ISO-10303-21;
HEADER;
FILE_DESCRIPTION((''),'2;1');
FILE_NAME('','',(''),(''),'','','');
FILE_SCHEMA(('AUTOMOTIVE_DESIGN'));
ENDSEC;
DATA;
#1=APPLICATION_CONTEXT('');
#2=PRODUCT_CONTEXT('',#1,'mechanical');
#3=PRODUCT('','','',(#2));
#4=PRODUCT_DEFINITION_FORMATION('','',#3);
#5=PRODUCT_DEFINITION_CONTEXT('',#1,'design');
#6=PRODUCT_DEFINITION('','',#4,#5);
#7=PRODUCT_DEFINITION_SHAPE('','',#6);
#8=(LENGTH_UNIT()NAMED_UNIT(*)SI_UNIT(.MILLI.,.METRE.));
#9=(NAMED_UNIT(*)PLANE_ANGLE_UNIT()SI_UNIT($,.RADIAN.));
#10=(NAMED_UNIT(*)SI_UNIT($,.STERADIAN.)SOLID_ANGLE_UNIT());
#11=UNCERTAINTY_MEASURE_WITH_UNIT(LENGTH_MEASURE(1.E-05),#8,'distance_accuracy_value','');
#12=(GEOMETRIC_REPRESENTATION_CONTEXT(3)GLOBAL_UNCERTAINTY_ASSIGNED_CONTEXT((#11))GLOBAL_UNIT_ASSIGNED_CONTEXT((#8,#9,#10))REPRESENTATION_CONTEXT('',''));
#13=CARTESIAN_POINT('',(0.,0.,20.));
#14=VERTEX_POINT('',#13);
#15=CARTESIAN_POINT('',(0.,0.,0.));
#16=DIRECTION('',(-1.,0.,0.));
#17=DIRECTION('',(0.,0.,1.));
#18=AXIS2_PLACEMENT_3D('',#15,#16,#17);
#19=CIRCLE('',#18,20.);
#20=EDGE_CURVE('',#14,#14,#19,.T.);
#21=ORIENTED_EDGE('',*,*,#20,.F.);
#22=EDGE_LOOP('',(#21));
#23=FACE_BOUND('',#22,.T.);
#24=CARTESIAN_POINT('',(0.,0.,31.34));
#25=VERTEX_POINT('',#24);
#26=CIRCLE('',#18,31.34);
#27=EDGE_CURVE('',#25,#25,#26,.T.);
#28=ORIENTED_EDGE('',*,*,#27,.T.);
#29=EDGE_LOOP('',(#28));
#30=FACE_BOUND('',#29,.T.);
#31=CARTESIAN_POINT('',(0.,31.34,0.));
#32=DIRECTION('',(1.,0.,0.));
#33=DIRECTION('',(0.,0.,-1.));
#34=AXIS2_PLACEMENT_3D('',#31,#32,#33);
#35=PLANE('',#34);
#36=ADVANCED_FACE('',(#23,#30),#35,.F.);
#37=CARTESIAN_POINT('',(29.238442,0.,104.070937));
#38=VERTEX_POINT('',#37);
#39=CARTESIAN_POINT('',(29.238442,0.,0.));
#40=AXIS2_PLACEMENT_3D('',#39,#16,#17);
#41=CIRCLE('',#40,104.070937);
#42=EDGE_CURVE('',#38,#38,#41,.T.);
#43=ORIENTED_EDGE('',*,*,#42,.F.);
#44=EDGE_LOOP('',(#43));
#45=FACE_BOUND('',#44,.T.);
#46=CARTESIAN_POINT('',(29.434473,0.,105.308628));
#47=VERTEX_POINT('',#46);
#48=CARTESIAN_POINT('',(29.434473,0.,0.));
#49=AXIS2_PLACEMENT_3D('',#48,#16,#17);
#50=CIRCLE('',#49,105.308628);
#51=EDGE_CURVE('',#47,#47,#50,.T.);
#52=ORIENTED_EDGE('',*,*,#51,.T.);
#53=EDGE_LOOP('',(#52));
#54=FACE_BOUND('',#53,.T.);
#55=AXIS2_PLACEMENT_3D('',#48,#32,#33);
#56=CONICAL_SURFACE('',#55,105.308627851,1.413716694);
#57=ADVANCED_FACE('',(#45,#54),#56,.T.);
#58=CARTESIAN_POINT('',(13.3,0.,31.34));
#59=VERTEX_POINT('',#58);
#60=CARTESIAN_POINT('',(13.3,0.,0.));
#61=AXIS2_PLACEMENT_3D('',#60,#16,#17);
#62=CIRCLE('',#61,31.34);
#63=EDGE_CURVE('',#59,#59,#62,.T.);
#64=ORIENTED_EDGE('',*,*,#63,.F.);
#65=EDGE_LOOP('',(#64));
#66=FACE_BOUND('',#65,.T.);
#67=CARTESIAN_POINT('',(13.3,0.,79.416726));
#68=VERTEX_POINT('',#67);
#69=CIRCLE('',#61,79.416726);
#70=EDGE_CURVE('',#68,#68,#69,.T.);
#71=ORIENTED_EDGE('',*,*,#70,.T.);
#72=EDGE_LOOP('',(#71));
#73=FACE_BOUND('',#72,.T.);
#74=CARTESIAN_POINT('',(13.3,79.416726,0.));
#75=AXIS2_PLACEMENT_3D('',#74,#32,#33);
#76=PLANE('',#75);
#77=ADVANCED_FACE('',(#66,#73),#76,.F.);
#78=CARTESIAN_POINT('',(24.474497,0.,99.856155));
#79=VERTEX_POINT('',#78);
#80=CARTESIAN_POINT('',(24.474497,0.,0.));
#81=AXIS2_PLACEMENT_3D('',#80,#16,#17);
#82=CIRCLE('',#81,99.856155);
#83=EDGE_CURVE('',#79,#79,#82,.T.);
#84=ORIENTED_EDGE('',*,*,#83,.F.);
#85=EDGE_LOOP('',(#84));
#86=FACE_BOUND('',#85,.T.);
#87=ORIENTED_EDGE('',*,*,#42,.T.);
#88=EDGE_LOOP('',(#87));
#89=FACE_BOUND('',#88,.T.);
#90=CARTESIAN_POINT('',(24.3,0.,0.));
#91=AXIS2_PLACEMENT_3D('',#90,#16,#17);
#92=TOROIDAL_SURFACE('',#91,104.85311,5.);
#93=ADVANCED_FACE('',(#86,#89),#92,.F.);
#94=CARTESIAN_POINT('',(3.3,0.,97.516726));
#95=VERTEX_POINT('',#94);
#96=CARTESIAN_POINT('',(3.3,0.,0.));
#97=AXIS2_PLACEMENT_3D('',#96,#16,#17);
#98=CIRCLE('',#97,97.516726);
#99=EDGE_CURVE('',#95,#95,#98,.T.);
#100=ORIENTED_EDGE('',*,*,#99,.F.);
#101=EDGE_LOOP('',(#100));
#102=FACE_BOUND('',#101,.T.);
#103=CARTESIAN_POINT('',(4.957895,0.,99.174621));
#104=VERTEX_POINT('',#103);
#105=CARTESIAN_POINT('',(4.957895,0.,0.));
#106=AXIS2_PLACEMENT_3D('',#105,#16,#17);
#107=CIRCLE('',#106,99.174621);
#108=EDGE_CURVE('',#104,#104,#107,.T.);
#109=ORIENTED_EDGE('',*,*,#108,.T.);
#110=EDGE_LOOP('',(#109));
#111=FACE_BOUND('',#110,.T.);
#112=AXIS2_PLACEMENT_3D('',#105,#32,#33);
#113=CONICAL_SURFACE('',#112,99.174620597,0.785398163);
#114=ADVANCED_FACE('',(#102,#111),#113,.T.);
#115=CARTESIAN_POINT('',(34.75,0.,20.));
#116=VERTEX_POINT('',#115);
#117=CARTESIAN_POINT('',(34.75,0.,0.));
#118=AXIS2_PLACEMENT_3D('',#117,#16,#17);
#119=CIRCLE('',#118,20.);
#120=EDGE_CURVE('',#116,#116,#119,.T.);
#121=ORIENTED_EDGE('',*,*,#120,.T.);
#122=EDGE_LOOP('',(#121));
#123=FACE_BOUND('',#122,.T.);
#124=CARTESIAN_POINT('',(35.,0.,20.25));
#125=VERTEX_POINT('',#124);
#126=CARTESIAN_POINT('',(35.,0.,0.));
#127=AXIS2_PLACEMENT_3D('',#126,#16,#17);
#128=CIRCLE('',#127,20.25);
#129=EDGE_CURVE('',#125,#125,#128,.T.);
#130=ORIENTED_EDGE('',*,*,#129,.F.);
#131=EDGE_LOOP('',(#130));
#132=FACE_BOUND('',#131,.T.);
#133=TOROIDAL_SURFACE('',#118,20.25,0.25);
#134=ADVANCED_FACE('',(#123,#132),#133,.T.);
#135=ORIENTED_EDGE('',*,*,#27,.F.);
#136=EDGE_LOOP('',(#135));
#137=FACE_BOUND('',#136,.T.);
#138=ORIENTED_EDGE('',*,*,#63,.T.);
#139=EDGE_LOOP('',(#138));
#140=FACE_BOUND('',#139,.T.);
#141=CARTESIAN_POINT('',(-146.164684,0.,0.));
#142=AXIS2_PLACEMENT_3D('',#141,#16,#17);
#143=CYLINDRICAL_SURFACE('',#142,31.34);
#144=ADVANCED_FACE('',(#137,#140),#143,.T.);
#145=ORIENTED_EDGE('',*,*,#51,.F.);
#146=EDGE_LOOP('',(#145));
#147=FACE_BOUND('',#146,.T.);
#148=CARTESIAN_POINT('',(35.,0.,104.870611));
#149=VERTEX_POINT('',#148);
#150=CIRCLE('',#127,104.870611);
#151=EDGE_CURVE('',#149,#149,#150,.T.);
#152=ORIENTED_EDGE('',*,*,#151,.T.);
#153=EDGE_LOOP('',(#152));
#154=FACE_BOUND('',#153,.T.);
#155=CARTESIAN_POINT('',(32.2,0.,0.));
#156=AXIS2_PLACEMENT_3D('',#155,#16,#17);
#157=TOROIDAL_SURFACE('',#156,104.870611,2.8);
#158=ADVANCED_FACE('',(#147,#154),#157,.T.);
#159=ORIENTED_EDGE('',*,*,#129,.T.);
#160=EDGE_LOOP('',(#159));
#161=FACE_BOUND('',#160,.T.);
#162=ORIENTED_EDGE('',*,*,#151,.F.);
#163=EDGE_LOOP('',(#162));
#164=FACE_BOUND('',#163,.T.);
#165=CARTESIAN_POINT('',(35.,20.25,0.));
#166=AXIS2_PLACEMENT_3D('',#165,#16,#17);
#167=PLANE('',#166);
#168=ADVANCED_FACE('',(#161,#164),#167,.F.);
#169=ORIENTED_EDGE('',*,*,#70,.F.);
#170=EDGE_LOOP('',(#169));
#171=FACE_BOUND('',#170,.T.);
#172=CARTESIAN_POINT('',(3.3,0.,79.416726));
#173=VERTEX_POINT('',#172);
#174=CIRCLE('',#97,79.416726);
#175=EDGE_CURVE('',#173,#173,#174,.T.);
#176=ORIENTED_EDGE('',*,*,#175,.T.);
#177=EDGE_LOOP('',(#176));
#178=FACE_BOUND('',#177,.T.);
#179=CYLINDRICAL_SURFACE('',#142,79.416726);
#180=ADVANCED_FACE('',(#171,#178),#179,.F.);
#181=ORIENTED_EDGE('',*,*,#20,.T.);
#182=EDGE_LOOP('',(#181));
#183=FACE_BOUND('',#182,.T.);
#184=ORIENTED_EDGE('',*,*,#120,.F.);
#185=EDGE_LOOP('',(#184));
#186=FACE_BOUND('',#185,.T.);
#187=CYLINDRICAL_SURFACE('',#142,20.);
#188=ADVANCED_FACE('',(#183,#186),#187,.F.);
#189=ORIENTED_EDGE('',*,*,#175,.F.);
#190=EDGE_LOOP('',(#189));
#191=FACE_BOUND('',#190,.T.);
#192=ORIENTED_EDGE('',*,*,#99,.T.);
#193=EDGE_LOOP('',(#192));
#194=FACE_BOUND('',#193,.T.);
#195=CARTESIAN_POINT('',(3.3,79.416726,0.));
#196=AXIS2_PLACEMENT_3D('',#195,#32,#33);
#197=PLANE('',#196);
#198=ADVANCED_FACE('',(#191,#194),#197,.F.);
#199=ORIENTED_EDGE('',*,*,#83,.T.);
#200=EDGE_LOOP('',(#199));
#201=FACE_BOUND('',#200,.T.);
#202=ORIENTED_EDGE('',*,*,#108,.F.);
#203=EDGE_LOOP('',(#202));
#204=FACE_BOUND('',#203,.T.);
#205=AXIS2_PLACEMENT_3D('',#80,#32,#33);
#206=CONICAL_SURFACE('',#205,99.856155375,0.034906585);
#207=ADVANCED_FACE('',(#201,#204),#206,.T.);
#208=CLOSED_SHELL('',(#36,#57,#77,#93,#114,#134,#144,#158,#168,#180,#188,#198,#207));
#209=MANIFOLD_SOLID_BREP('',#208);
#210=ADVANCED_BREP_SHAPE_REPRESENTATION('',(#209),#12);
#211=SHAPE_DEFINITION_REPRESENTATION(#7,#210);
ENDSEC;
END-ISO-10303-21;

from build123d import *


with BuildPart() as part:
    # Sketch1 → Revolve1 (revolve)
    with BuildSketch(Plane.XY, mode=Mode.PRIVATE) as revolve1_sk:
        with BuildLine():
            Line((0, 20), (34.75, 20))
            ThreePointArc((34.75, 20), (34.926776695, 20.073223305), (35, 20.25))
            Line((35, 20.25), (35, 104.870611348))
            ThreePointArc((35, 104.870611348), (32.419685468, 107.661979883), (29.434472646, 105.308627851))
            Line((29.434472646, 105.308627851), (29.238441703, 104.070937185))
            ThreePointArc((29.238441703, 104.070937185), (27.613100241, 101.108330906), (24.474497484, 99.856155375))
            Line((24.474497484, 99.856155375), (4.957894968, 99.174620597))
            Line((4.957894968, 99.174620597), (3.3, 97.516725629))
            Line((3.3, 97.516725629), (3.3, 79.416725629))
            Line((3.3, 79.416725629), (13.3, 79.416725629))
            Line((13.3, 79.416725629), (13.3, 31.34))
            Line((13.3, 31.34), (0, 31.34))
            Line((0, 31.34), (0, 20))
        make_face()
    revolve(revolve1_sk.sketch.rotate(Axis((-146.164683843, 0, 0), (1, 0, 0)), 90), axis=Axis((-146.164683843, 0, 0), (1, 0, 0)))


solid = part.part
